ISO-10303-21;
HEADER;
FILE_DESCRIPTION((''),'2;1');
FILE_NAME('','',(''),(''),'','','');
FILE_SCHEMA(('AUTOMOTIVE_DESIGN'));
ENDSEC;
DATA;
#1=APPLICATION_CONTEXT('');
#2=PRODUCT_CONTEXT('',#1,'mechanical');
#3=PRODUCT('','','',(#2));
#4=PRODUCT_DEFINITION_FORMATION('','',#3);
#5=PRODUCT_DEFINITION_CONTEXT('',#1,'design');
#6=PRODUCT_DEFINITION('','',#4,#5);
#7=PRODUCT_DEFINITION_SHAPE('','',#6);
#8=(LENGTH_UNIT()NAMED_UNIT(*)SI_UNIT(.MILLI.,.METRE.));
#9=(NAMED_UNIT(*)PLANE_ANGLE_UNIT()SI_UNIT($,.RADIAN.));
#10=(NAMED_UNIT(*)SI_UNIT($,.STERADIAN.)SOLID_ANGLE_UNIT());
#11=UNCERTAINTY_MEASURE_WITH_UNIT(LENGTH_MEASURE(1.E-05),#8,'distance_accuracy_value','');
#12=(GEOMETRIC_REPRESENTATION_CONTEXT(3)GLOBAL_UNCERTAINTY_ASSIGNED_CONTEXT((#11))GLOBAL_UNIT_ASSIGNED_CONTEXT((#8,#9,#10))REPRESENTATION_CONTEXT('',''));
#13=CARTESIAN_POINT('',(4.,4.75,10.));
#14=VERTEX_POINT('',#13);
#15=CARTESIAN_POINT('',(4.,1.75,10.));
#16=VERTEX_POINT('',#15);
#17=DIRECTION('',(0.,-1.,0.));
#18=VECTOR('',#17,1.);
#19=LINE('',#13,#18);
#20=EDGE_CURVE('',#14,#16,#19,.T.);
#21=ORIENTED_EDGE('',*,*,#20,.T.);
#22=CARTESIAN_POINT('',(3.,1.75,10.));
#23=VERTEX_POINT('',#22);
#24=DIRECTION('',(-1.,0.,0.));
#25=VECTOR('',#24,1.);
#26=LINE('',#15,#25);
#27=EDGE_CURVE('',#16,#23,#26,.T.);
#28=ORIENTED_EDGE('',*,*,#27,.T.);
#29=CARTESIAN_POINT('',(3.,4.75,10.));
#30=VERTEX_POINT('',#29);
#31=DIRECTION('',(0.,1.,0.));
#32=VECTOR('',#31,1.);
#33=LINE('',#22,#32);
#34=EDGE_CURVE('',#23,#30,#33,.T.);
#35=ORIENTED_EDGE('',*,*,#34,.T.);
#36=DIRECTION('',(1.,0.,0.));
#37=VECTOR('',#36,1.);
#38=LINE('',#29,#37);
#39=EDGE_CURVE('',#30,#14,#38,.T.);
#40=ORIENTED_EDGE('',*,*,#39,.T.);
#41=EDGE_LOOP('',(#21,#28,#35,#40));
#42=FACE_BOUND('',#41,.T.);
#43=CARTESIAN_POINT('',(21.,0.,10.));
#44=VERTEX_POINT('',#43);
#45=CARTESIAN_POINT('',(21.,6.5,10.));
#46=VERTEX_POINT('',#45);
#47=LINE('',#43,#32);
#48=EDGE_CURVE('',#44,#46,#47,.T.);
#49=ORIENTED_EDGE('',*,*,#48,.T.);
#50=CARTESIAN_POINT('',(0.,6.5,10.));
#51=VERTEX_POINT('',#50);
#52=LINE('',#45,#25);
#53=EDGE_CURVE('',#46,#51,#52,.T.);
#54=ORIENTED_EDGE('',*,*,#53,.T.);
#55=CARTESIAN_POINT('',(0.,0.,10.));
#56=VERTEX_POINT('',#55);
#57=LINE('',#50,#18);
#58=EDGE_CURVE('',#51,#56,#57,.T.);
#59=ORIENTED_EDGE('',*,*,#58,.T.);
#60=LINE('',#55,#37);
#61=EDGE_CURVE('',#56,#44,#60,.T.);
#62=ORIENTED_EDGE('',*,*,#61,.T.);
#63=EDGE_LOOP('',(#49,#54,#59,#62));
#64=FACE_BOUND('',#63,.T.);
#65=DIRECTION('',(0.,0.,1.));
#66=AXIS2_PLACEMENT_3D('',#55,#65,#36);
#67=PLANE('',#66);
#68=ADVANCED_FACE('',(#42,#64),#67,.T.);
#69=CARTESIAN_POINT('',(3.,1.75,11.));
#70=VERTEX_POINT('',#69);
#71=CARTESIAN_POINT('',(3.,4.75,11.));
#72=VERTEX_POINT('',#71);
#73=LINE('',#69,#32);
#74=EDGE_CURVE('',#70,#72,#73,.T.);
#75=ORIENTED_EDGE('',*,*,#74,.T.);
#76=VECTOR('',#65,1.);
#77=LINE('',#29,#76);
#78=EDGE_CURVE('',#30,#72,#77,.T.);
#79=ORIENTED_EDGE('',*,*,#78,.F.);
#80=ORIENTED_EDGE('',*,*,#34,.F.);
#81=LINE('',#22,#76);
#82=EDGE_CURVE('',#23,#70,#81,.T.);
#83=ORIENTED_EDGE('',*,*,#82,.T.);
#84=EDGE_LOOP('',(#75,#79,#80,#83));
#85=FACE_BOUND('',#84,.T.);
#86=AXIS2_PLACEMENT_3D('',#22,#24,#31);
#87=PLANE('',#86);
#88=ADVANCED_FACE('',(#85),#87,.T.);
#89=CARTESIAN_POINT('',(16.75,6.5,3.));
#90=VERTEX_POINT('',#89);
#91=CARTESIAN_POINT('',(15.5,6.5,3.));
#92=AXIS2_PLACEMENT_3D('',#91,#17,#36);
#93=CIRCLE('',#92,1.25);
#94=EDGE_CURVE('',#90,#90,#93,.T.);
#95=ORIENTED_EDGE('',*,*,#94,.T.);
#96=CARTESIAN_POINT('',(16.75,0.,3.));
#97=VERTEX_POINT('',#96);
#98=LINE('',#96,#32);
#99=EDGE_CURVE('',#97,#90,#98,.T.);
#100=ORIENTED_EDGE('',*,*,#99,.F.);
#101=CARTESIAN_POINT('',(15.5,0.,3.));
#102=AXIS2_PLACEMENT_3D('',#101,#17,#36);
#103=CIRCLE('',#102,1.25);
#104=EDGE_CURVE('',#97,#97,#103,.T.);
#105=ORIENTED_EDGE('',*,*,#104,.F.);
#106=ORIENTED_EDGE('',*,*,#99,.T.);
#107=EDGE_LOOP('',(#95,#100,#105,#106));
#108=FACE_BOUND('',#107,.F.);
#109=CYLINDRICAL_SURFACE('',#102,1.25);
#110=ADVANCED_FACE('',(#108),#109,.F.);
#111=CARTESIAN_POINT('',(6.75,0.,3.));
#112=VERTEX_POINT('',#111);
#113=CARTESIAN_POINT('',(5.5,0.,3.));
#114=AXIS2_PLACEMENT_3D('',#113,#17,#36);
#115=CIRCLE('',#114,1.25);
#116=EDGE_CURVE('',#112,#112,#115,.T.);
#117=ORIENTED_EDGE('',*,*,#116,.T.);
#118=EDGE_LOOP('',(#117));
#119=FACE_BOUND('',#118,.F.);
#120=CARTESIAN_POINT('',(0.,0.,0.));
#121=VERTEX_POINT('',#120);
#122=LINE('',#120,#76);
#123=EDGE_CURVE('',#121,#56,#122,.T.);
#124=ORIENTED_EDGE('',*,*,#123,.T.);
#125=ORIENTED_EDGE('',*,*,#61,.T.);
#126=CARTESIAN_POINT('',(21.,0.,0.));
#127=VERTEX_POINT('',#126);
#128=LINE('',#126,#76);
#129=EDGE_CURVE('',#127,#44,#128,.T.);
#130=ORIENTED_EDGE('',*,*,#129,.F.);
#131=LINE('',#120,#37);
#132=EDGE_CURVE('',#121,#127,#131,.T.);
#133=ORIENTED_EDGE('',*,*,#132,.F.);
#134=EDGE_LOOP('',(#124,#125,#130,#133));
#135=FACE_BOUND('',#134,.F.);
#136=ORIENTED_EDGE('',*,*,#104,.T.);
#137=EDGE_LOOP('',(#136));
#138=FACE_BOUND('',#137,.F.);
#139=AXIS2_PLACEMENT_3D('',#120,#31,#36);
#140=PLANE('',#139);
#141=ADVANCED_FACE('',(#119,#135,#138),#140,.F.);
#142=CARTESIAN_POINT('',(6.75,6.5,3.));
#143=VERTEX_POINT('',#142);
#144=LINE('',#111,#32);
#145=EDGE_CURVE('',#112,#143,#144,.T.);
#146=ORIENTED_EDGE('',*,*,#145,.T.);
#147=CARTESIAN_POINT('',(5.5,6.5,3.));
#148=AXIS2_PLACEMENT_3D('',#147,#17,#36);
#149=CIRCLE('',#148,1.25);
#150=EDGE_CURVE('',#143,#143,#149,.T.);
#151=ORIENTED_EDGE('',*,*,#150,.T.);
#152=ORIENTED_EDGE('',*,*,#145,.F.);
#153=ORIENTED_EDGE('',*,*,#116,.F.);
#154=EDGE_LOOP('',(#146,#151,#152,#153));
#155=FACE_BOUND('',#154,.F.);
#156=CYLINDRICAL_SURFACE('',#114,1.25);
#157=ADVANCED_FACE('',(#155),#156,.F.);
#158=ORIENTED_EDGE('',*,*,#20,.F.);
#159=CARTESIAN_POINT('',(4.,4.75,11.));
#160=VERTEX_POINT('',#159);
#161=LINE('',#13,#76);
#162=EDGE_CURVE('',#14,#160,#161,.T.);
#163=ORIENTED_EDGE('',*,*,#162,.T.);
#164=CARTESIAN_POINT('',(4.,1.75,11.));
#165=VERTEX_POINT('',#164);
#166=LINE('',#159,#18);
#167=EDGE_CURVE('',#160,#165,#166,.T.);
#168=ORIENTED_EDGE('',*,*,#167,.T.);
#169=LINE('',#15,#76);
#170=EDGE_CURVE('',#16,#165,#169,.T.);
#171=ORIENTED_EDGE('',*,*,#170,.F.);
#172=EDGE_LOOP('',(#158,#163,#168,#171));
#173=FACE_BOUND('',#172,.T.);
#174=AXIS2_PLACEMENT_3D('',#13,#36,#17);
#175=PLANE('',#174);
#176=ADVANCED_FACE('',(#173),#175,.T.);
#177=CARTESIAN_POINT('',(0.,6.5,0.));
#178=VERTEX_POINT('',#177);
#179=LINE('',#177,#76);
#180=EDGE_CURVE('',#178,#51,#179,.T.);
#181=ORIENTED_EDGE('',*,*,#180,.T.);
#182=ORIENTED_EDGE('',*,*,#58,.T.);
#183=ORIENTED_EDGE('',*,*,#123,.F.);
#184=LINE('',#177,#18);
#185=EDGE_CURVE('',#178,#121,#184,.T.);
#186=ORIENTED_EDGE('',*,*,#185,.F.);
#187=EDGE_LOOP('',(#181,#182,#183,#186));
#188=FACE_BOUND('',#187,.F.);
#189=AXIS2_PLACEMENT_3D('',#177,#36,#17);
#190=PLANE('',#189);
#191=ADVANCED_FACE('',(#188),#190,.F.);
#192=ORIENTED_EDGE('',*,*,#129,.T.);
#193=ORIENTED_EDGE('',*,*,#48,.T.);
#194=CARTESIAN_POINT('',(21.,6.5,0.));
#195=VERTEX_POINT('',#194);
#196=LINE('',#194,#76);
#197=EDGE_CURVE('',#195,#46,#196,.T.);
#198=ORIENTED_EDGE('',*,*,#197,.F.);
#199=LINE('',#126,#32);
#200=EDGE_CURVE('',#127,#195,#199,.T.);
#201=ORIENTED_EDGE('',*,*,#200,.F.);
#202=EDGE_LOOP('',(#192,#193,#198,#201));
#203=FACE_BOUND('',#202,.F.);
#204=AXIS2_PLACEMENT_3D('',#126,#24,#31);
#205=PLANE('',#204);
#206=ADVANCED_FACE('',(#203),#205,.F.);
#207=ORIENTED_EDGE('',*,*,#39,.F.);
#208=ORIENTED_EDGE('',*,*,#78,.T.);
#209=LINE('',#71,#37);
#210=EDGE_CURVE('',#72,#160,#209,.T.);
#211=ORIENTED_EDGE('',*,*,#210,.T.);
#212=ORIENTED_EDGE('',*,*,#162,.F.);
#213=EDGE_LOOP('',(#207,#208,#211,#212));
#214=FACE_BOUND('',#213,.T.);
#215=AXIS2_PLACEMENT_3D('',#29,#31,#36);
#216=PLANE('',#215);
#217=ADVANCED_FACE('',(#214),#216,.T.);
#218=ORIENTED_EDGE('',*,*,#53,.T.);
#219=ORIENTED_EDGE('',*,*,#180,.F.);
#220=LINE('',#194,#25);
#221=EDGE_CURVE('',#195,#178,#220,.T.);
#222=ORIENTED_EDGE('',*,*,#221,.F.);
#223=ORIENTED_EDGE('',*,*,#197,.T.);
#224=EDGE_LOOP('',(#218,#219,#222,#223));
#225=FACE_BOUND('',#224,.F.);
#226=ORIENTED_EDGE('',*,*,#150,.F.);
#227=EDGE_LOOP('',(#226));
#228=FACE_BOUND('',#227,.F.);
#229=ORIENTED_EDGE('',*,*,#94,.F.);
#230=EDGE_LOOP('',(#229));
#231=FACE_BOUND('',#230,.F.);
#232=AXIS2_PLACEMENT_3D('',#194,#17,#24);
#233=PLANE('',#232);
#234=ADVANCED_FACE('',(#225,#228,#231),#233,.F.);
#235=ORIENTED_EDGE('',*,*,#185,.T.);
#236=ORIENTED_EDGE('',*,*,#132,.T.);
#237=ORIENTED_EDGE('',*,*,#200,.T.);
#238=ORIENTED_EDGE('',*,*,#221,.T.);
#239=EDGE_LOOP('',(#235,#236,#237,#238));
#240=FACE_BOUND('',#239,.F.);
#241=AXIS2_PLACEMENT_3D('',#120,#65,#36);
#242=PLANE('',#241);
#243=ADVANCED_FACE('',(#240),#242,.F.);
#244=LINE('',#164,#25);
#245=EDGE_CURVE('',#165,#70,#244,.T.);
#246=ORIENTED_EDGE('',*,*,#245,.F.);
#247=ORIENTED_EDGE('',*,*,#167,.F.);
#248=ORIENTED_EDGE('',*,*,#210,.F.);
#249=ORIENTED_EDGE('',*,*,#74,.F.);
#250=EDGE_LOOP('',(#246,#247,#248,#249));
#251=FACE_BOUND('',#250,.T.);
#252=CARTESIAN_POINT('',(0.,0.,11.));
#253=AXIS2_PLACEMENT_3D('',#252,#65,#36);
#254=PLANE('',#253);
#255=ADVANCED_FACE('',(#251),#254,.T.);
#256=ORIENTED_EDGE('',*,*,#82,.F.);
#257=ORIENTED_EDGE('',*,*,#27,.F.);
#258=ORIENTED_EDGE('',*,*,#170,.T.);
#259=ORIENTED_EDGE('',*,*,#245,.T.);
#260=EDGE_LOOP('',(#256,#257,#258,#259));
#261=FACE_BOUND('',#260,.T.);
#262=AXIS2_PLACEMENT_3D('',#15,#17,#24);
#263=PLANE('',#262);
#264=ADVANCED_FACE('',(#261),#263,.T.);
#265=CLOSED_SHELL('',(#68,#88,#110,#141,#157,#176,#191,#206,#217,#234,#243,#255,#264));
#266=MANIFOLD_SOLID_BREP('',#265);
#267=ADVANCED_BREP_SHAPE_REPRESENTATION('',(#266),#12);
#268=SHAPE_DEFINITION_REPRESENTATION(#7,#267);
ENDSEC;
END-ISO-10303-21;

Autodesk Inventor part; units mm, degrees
ref_plane "YZ Plane" through (0, 0, 0) normal (1, 0, 0) x (0, 1, 0)
ref_plane "XZ Plane" through (0, 0, 0) normal (0, 1, 0) x (-1, 0, 0)
ref_plane "XY Plane" through (0, 0, 0) normal (0, 0, 1) x (1, 0, 0)
sketch "Sketch1" plane through (0, 0, 0) normal (0, 0, 1) x (1, 0, 0)
  line L0 (0, 0) -> (21, 0)
  line L1 (21, 0) -> (21, 6.5)
  line L2 (21, 6.5) -> (0, 6.5)
  line L3 (0, 6.5) -> (0, 0)
  dimension "d0" = 21
  dimension "d1" = 6.5
extrude "Extrusion1" add sketch "Sketch1" along normal blind 10
sketch "Sketch2" plane through (0, 0, 10) normal (0, 0, 1) x (1, 0, 0)
  line L0 (3, 4.75) -> (4, 4.75)
  line L1 (4, 4.75) -> (4, 1.75)
  line L2 (4, 1.75) -> (3, 1.75)
  line L3 (3, 1.75) -> (3, 4.75)
  line L4 (0, 6.5) -> (0, 0) projected
  point P0 (3, 3.25)
  point P1 (0, 3.25)
  dimension "d4" = 1
  dimension "d5" = 3
  dimension "d6" = 3
extrude "Extrusion2" add sketch "Sketch2" along normal blind 1
sketch "Sketch3" plane through (0, 0, 0) normal (0, -1, 0) x (1, 0, 0)
  circle A0 centre (5.5, 3) radius 1.25
  circle A1 centre (15.5, 3) radius 1.25
  line L0 (5.5, 3) -> (15.5, 3) construction
  line L1 (0, 0) -> (21, 0) construction
  point P0 (10.5, 3)
  point P1 (10.5, 0)
  dimension "d9" = 2.5
  dimension "d10" = 2.5
  dimension "d11" = 3
  dimension "d12" = 10
extrude "Extrusion3" cut sketch "Sketch3" against normal through all
properties part number "relay"
